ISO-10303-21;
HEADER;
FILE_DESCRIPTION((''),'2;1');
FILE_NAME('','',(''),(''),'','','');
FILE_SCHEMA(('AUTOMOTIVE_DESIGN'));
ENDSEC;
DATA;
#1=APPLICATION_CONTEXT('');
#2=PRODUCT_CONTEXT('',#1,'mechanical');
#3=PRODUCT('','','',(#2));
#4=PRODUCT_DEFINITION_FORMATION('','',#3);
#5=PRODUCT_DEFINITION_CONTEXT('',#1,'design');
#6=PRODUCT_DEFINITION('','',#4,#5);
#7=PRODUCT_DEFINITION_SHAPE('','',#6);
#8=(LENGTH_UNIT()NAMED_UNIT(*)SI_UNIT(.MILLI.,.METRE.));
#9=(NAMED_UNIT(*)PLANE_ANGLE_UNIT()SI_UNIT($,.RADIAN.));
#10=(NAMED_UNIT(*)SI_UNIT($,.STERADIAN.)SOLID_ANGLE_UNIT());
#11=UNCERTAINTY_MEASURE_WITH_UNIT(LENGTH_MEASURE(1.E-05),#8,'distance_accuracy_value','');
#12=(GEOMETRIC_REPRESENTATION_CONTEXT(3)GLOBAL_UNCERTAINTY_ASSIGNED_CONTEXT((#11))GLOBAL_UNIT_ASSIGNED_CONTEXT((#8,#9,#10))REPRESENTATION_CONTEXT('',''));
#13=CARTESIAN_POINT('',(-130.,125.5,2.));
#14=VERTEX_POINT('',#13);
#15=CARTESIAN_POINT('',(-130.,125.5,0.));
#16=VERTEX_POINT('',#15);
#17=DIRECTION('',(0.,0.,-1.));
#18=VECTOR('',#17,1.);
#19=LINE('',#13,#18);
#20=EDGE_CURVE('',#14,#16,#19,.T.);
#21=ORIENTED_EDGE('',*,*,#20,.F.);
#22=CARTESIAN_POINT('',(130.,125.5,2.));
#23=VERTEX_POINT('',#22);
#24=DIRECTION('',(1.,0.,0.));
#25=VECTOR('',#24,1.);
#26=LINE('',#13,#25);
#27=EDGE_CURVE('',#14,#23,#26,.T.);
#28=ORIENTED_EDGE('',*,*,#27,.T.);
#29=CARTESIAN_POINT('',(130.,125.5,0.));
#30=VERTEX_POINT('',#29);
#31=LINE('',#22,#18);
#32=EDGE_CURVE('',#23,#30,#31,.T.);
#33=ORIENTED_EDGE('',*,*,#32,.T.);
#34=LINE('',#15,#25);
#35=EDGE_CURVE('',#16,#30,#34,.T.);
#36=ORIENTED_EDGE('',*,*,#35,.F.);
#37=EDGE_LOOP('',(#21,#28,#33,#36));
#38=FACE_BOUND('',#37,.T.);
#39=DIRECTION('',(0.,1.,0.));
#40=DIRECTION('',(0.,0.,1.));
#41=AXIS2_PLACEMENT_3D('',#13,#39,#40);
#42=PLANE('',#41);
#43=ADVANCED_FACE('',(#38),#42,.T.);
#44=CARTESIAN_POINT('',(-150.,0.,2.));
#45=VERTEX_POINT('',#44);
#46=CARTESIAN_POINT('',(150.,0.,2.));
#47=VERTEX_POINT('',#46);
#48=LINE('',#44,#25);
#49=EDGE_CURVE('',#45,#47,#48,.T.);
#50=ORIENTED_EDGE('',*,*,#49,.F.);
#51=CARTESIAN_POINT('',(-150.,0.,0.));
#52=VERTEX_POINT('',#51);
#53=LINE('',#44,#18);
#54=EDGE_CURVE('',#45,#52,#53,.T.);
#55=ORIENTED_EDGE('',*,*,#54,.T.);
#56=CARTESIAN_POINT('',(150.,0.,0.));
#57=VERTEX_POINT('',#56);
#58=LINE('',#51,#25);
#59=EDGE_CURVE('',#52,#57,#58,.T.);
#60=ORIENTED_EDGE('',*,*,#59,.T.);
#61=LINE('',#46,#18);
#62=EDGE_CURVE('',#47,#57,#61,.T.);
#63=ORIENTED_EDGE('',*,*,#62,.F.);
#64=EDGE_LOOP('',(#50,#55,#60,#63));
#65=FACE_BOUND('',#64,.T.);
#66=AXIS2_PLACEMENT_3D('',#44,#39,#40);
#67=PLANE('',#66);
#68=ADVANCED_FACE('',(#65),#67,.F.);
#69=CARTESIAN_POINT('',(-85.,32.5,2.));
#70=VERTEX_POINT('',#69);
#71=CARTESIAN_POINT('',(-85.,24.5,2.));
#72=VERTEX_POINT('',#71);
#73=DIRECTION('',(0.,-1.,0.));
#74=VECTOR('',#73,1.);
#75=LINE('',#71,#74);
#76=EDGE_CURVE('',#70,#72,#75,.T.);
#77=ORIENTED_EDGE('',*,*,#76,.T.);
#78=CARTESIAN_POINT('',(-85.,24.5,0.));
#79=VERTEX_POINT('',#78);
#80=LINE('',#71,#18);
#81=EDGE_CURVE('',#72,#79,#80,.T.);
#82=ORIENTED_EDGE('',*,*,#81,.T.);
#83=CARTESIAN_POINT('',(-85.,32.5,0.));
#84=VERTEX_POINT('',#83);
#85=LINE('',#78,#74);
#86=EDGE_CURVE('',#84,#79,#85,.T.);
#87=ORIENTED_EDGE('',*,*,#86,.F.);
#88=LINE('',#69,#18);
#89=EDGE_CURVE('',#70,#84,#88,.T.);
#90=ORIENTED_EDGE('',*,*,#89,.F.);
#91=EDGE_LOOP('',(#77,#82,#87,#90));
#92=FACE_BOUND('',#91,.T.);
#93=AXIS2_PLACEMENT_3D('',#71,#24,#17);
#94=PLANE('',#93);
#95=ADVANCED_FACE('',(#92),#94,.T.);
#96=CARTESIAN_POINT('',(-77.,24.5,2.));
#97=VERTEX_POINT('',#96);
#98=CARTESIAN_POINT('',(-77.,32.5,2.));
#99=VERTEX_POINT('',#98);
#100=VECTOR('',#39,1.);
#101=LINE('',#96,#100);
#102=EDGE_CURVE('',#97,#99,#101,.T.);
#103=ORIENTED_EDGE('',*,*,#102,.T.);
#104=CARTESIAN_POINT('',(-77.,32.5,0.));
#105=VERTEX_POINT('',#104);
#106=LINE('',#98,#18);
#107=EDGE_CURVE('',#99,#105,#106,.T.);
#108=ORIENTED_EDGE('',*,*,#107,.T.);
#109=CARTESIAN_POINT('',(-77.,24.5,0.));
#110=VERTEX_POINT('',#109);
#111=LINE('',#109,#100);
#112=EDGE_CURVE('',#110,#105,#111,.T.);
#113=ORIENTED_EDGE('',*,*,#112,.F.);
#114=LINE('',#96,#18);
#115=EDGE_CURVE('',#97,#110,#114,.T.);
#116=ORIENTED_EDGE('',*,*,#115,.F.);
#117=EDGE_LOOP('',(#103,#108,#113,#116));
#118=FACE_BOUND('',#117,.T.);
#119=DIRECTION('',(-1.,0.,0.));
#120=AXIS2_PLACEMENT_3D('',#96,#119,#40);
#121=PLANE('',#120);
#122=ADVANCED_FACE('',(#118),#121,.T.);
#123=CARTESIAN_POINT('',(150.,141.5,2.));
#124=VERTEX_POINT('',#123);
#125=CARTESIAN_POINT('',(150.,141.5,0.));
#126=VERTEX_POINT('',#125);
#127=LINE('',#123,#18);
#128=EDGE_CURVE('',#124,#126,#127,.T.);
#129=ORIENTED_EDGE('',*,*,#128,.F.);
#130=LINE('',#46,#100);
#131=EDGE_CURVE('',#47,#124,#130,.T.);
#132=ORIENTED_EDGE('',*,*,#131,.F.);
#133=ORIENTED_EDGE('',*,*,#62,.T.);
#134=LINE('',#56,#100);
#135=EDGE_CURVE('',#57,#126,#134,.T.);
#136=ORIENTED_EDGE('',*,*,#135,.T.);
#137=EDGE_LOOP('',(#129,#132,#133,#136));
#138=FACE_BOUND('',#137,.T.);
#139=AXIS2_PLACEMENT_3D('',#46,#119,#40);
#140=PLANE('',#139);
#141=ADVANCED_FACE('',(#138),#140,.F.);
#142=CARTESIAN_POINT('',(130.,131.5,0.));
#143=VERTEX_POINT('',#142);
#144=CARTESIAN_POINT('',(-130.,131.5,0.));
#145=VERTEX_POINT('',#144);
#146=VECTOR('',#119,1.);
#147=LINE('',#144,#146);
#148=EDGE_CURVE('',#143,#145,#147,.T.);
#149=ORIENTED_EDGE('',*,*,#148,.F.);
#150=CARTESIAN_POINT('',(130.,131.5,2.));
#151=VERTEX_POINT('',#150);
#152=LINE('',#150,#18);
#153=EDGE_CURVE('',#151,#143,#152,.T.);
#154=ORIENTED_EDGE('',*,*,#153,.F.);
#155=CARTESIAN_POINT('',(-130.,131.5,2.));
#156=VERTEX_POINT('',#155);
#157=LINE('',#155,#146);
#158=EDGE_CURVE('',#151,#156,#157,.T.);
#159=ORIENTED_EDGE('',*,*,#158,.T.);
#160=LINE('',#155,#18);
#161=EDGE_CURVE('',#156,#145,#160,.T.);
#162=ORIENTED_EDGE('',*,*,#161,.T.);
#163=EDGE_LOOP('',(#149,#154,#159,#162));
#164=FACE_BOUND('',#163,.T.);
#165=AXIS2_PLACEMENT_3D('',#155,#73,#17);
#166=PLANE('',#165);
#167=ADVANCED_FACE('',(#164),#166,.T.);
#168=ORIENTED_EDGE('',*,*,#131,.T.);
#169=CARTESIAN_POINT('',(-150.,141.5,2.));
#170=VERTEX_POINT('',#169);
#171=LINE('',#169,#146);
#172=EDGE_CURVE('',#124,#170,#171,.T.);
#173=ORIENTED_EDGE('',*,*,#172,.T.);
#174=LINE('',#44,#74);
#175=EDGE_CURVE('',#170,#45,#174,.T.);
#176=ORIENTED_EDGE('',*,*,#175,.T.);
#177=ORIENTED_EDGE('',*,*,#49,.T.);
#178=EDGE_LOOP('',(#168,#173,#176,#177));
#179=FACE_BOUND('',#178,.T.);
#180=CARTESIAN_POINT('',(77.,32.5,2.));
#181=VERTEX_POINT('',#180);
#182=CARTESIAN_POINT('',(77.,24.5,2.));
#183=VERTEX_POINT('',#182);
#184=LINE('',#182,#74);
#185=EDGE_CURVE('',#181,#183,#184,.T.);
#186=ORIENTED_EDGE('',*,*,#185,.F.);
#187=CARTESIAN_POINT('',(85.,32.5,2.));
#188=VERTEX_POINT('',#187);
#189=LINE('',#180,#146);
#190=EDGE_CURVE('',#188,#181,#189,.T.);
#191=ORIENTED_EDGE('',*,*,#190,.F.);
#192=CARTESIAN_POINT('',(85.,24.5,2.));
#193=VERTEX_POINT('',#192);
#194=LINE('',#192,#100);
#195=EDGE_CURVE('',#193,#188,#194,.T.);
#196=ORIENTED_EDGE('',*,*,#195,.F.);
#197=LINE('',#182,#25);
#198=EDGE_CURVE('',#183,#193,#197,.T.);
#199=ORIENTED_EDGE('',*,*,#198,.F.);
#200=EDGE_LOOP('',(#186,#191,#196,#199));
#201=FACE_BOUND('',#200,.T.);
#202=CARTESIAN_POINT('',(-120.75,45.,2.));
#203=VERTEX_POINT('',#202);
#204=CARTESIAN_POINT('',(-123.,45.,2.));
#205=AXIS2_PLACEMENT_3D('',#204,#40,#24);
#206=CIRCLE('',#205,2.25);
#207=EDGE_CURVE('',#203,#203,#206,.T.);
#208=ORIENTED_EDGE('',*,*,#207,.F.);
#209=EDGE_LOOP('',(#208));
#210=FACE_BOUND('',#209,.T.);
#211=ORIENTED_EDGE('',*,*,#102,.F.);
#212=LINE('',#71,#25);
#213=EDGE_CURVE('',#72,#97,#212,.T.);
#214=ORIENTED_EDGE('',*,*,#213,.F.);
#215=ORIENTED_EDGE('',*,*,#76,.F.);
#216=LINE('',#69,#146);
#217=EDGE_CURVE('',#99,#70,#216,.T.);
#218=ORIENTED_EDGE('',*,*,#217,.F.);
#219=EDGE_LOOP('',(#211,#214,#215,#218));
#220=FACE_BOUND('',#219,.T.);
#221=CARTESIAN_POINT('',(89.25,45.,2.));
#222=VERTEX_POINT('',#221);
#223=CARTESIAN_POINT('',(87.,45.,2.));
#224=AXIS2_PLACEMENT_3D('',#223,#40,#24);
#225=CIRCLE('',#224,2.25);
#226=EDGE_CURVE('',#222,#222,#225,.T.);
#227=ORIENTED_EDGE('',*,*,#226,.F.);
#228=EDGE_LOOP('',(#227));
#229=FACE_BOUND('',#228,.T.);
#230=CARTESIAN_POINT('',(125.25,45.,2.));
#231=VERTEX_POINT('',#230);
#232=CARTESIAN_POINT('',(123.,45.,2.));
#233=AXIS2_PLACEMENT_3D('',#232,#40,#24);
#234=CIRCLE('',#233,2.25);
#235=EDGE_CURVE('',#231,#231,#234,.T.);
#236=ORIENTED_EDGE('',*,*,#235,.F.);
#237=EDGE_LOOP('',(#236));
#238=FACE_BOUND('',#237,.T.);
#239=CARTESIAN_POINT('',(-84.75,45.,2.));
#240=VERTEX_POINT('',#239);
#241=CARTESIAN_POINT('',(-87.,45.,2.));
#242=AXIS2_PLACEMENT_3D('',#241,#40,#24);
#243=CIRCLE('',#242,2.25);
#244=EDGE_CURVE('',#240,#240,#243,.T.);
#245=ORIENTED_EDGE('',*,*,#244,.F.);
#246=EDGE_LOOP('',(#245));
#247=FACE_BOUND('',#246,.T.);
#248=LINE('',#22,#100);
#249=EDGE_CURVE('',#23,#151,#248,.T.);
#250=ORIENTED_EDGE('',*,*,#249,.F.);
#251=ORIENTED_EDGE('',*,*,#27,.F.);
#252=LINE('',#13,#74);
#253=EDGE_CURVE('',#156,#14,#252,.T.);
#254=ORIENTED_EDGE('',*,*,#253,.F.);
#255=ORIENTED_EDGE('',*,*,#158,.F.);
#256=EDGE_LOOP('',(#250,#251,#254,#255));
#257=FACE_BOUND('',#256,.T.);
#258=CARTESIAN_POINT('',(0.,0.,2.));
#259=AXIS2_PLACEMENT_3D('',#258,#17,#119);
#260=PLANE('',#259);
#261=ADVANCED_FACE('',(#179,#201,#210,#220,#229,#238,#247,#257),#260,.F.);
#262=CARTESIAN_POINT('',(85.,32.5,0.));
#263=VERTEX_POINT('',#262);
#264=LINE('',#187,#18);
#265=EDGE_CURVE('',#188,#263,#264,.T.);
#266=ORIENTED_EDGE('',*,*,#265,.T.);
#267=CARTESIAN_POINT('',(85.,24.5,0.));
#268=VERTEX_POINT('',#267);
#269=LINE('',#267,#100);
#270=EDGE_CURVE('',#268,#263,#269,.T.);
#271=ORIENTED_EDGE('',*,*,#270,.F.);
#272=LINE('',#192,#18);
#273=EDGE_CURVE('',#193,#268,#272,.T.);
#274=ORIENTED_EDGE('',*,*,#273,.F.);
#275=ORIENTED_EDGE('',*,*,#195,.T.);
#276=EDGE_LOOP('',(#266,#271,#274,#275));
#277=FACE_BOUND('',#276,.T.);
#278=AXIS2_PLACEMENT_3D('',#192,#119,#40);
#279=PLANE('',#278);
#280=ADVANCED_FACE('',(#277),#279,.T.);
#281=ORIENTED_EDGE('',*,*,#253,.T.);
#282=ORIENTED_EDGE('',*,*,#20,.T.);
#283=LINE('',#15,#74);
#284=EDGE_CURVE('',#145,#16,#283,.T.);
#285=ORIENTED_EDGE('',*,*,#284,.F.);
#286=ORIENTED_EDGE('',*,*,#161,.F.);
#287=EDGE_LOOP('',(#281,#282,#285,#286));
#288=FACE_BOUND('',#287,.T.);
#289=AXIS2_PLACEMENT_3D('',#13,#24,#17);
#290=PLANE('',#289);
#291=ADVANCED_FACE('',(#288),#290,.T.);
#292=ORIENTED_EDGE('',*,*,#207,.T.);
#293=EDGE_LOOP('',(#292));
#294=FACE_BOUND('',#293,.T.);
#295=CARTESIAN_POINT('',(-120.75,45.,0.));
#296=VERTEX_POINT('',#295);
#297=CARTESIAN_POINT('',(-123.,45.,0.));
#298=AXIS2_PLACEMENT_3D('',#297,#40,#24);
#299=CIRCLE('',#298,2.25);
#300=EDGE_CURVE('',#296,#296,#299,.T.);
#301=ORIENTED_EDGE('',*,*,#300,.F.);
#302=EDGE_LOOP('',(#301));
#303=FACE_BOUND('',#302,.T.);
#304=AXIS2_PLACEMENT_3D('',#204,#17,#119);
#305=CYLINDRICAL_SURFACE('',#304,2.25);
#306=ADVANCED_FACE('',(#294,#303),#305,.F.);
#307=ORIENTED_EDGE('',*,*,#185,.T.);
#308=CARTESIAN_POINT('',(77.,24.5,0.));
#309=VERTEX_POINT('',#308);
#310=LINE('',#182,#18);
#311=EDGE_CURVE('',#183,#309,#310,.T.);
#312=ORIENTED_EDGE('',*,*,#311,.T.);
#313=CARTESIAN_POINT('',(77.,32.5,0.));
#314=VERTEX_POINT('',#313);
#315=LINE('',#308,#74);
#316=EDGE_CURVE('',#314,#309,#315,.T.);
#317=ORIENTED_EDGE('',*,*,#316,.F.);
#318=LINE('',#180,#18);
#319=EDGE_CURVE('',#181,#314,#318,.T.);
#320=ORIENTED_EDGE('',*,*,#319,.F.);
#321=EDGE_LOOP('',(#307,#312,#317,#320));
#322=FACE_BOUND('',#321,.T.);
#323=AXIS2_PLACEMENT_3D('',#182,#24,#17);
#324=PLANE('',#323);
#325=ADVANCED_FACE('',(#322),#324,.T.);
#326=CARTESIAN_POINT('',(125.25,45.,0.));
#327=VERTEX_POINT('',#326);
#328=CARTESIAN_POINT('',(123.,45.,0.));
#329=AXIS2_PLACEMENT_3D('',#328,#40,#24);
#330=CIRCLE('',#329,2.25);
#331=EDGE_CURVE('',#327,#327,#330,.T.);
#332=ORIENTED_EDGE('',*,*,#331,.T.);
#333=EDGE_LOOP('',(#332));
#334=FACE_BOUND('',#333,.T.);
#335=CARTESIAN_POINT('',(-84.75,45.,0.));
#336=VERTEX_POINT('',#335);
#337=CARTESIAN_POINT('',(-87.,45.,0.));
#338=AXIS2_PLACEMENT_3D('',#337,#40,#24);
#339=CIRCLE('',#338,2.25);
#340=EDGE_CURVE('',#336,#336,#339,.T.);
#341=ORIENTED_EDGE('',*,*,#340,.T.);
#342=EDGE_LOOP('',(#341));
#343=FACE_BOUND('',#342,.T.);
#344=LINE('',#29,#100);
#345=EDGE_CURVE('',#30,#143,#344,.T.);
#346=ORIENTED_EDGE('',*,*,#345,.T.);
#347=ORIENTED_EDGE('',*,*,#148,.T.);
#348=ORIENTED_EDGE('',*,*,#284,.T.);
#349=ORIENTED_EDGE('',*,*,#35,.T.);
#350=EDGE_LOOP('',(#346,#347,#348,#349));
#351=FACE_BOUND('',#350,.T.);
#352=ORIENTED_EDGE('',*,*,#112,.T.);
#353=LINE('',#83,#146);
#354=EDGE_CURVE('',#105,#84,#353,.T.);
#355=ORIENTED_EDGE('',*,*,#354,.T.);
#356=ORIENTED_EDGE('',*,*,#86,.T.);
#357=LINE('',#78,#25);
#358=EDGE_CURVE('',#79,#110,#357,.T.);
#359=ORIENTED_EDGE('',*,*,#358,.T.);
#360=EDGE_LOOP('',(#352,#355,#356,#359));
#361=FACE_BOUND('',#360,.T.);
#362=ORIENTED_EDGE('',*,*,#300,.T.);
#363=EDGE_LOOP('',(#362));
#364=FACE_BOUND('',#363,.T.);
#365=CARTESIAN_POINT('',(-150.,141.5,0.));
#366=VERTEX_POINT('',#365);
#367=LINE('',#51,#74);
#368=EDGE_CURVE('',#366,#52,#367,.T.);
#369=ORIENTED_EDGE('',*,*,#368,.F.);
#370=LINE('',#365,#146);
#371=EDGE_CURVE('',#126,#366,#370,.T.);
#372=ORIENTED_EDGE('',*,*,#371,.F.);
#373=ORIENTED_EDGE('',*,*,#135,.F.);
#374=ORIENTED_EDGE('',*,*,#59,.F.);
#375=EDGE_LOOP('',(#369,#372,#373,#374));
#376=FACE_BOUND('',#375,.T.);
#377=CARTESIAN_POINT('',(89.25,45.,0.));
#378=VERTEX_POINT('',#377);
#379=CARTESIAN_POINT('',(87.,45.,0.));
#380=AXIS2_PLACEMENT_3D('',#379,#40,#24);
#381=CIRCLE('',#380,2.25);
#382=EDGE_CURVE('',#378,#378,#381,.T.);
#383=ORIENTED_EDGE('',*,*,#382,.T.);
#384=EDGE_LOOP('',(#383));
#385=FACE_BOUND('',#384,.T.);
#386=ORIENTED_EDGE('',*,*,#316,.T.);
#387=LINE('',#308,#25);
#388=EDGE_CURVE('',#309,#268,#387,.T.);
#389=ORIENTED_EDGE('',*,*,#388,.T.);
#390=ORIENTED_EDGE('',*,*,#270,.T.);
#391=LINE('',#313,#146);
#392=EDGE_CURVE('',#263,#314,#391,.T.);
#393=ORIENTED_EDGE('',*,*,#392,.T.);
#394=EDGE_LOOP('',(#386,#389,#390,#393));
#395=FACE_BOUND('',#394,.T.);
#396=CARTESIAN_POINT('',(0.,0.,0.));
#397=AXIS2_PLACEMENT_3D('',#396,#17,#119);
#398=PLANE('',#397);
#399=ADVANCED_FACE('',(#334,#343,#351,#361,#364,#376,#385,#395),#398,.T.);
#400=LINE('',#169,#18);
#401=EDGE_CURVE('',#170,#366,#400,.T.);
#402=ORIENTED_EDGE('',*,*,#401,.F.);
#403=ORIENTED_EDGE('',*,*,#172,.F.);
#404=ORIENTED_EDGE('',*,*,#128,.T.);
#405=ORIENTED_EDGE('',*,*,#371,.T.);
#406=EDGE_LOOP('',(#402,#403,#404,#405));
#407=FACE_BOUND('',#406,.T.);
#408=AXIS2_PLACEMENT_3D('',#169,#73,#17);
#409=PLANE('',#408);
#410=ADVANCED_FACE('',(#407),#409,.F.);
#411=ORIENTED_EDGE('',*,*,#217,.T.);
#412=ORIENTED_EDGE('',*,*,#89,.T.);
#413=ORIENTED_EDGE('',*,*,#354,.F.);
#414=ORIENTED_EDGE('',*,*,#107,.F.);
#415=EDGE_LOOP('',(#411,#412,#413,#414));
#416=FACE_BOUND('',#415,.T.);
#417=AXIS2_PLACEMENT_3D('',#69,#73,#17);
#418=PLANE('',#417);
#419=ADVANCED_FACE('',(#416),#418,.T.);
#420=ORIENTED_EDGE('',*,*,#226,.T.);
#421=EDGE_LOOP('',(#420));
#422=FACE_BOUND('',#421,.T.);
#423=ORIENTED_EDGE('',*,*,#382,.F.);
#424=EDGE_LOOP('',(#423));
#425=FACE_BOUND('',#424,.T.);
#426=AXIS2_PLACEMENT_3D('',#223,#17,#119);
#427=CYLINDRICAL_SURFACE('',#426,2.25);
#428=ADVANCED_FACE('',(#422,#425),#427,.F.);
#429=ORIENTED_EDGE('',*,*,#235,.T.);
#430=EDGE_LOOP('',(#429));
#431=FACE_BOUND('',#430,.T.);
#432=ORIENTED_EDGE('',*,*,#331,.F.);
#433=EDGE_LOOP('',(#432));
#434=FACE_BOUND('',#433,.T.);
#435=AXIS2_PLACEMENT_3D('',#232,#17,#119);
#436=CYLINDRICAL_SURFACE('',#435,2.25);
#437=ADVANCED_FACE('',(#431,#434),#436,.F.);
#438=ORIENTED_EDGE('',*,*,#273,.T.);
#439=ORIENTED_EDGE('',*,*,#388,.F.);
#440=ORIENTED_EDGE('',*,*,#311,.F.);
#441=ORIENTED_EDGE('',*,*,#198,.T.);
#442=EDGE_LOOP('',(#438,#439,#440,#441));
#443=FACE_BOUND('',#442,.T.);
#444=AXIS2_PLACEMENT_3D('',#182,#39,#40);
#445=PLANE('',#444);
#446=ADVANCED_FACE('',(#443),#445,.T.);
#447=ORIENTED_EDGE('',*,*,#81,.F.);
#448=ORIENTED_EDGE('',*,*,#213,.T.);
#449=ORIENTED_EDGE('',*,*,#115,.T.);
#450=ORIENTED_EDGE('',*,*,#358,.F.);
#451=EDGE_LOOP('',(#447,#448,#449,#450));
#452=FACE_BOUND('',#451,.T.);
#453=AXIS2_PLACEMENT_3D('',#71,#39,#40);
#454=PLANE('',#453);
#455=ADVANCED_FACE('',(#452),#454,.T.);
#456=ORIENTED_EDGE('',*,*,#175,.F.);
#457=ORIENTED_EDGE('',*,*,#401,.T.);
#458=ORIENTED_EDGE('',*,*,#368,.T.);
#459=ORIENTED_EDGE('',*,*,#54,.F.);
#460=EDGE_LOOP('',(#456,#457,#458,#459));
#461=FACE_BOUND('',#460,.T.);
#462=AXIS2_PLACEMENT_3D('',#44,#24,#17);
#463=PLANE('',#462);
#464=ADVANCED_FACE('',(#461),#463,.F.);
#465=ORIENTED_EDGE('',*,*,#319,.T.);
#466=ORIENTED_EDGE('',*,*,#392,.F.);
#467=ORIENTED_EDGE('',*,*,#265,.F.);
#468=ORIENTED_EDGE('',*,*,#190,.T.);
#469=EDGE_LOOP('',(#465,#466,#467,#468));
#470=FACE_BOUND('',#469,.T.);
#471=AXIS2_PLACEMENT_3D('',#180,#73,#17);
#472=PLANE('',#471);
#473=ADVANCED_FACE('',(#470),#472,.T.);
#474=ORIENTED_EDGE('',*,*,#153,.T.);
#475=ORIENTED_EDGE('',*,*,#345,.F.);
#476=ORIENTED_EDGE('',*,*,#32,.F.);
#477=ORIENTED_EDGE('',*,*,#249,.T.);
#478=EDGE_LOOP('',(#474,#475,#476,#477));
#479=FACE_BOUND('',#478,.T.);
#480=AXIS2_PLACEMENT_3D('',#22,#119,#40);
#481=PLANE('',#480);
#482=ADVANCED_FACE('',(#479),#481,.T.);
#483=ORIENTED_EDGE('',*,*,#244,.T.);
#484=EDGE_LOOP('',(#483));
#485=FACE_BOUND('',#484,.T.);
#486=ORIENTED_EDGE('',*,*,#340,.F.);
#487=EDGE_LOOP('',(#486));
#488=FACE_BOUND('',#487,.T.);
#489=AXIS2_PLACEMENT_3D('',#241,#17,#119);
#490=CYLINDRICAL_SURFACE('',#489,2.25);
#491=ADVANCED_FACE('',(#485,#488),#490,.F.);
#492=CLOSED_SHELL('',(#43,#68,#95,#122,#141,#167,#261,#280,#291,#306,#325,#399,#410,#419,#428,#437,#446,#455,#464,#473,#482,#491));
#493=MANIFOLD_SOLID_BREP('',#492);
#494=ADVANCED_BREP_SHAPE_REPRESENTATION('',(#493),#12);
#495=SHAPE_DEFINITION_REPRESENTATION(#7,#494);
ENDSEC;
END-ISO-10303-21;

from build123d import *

# Parameters (mm, degrees)
SK_PANEL_W            = 300
SK_PANEL_H            = 141.5
EX_PANEL_DEPTH        = 2
SK_LIGHTSLOT_W        = 260
SK_LIGHTSLOT_H        = 6
CUT_LIGHTSLOT_DEPTH   = 2
SK_CLIFFBOLTS_R       = 2.25
CUT_CLIFFBOLTS_DEPTH  = 2
SK_CLIFFCABLES_W      = 8
SK_CLIFFCABLES_H      = 8
CUT_CLIFFCABLES_DEPTH = 2


with BuildPart() as part:
    # SK_Panel → EX_Panel (new body)
    with BuildSketch(Plane.XY):
        with Locations((0, 70.75)):
            Rectangle(SK_PANEL_W, SK_PANEL_H)
    extrude(amount=EX_PANEL_DEPTH)

    # SK_LightSlot → CUT_LightSlot (cut)
    with BuildSketch(Plane.XY):
        with Locations((0, 128.5)):
            Rectangle(SK_LIGHTSLOT_W, SK_LIGHTSLOT_H)
    extrude(amount=CUT_LIGHTSLOT_DEPTH, mode=Mode.SUBTRACT)

    # SK_CliffBolts → CUT_CliffBolts (cut)
    with BuildSketch(Plane.XY):
        with Locations((123, 45)):
            Circle(SK_CLIFFBOLTS_R)
        with Locations((87, 45)):
            Circle(SK_CLIFFBOLTS_R)
        with Locations((-123, 45)):
            Circle(SK_CLIFFBOLTS_R)
        with Locations((-87, 45)):
            Circle(SK_CLIFFBOLTS_R)
    extrude(amount=CUT_CLIFFBOLTS_DEPTH, mode=Mode.SUBTRACT)

    # SK_CliffCables → CUT_CliffCables (cut)
    with BuildSketch(Plane.XY):
        with Locations((81, 28.5)):
            Rectangle(SK_CLIFFCABLES_W, SK_CLIFFCABLES_H)
        with Locations((-81, 28.5)):
            Rectangle(SK_CLIFFCABLES_W, SK_CLIFFCABLES_H)
    extrude(amount=CUT_CLIFFCABLES_DEPTH, mode=Mode.SUBTRACT)


solid = part.part
